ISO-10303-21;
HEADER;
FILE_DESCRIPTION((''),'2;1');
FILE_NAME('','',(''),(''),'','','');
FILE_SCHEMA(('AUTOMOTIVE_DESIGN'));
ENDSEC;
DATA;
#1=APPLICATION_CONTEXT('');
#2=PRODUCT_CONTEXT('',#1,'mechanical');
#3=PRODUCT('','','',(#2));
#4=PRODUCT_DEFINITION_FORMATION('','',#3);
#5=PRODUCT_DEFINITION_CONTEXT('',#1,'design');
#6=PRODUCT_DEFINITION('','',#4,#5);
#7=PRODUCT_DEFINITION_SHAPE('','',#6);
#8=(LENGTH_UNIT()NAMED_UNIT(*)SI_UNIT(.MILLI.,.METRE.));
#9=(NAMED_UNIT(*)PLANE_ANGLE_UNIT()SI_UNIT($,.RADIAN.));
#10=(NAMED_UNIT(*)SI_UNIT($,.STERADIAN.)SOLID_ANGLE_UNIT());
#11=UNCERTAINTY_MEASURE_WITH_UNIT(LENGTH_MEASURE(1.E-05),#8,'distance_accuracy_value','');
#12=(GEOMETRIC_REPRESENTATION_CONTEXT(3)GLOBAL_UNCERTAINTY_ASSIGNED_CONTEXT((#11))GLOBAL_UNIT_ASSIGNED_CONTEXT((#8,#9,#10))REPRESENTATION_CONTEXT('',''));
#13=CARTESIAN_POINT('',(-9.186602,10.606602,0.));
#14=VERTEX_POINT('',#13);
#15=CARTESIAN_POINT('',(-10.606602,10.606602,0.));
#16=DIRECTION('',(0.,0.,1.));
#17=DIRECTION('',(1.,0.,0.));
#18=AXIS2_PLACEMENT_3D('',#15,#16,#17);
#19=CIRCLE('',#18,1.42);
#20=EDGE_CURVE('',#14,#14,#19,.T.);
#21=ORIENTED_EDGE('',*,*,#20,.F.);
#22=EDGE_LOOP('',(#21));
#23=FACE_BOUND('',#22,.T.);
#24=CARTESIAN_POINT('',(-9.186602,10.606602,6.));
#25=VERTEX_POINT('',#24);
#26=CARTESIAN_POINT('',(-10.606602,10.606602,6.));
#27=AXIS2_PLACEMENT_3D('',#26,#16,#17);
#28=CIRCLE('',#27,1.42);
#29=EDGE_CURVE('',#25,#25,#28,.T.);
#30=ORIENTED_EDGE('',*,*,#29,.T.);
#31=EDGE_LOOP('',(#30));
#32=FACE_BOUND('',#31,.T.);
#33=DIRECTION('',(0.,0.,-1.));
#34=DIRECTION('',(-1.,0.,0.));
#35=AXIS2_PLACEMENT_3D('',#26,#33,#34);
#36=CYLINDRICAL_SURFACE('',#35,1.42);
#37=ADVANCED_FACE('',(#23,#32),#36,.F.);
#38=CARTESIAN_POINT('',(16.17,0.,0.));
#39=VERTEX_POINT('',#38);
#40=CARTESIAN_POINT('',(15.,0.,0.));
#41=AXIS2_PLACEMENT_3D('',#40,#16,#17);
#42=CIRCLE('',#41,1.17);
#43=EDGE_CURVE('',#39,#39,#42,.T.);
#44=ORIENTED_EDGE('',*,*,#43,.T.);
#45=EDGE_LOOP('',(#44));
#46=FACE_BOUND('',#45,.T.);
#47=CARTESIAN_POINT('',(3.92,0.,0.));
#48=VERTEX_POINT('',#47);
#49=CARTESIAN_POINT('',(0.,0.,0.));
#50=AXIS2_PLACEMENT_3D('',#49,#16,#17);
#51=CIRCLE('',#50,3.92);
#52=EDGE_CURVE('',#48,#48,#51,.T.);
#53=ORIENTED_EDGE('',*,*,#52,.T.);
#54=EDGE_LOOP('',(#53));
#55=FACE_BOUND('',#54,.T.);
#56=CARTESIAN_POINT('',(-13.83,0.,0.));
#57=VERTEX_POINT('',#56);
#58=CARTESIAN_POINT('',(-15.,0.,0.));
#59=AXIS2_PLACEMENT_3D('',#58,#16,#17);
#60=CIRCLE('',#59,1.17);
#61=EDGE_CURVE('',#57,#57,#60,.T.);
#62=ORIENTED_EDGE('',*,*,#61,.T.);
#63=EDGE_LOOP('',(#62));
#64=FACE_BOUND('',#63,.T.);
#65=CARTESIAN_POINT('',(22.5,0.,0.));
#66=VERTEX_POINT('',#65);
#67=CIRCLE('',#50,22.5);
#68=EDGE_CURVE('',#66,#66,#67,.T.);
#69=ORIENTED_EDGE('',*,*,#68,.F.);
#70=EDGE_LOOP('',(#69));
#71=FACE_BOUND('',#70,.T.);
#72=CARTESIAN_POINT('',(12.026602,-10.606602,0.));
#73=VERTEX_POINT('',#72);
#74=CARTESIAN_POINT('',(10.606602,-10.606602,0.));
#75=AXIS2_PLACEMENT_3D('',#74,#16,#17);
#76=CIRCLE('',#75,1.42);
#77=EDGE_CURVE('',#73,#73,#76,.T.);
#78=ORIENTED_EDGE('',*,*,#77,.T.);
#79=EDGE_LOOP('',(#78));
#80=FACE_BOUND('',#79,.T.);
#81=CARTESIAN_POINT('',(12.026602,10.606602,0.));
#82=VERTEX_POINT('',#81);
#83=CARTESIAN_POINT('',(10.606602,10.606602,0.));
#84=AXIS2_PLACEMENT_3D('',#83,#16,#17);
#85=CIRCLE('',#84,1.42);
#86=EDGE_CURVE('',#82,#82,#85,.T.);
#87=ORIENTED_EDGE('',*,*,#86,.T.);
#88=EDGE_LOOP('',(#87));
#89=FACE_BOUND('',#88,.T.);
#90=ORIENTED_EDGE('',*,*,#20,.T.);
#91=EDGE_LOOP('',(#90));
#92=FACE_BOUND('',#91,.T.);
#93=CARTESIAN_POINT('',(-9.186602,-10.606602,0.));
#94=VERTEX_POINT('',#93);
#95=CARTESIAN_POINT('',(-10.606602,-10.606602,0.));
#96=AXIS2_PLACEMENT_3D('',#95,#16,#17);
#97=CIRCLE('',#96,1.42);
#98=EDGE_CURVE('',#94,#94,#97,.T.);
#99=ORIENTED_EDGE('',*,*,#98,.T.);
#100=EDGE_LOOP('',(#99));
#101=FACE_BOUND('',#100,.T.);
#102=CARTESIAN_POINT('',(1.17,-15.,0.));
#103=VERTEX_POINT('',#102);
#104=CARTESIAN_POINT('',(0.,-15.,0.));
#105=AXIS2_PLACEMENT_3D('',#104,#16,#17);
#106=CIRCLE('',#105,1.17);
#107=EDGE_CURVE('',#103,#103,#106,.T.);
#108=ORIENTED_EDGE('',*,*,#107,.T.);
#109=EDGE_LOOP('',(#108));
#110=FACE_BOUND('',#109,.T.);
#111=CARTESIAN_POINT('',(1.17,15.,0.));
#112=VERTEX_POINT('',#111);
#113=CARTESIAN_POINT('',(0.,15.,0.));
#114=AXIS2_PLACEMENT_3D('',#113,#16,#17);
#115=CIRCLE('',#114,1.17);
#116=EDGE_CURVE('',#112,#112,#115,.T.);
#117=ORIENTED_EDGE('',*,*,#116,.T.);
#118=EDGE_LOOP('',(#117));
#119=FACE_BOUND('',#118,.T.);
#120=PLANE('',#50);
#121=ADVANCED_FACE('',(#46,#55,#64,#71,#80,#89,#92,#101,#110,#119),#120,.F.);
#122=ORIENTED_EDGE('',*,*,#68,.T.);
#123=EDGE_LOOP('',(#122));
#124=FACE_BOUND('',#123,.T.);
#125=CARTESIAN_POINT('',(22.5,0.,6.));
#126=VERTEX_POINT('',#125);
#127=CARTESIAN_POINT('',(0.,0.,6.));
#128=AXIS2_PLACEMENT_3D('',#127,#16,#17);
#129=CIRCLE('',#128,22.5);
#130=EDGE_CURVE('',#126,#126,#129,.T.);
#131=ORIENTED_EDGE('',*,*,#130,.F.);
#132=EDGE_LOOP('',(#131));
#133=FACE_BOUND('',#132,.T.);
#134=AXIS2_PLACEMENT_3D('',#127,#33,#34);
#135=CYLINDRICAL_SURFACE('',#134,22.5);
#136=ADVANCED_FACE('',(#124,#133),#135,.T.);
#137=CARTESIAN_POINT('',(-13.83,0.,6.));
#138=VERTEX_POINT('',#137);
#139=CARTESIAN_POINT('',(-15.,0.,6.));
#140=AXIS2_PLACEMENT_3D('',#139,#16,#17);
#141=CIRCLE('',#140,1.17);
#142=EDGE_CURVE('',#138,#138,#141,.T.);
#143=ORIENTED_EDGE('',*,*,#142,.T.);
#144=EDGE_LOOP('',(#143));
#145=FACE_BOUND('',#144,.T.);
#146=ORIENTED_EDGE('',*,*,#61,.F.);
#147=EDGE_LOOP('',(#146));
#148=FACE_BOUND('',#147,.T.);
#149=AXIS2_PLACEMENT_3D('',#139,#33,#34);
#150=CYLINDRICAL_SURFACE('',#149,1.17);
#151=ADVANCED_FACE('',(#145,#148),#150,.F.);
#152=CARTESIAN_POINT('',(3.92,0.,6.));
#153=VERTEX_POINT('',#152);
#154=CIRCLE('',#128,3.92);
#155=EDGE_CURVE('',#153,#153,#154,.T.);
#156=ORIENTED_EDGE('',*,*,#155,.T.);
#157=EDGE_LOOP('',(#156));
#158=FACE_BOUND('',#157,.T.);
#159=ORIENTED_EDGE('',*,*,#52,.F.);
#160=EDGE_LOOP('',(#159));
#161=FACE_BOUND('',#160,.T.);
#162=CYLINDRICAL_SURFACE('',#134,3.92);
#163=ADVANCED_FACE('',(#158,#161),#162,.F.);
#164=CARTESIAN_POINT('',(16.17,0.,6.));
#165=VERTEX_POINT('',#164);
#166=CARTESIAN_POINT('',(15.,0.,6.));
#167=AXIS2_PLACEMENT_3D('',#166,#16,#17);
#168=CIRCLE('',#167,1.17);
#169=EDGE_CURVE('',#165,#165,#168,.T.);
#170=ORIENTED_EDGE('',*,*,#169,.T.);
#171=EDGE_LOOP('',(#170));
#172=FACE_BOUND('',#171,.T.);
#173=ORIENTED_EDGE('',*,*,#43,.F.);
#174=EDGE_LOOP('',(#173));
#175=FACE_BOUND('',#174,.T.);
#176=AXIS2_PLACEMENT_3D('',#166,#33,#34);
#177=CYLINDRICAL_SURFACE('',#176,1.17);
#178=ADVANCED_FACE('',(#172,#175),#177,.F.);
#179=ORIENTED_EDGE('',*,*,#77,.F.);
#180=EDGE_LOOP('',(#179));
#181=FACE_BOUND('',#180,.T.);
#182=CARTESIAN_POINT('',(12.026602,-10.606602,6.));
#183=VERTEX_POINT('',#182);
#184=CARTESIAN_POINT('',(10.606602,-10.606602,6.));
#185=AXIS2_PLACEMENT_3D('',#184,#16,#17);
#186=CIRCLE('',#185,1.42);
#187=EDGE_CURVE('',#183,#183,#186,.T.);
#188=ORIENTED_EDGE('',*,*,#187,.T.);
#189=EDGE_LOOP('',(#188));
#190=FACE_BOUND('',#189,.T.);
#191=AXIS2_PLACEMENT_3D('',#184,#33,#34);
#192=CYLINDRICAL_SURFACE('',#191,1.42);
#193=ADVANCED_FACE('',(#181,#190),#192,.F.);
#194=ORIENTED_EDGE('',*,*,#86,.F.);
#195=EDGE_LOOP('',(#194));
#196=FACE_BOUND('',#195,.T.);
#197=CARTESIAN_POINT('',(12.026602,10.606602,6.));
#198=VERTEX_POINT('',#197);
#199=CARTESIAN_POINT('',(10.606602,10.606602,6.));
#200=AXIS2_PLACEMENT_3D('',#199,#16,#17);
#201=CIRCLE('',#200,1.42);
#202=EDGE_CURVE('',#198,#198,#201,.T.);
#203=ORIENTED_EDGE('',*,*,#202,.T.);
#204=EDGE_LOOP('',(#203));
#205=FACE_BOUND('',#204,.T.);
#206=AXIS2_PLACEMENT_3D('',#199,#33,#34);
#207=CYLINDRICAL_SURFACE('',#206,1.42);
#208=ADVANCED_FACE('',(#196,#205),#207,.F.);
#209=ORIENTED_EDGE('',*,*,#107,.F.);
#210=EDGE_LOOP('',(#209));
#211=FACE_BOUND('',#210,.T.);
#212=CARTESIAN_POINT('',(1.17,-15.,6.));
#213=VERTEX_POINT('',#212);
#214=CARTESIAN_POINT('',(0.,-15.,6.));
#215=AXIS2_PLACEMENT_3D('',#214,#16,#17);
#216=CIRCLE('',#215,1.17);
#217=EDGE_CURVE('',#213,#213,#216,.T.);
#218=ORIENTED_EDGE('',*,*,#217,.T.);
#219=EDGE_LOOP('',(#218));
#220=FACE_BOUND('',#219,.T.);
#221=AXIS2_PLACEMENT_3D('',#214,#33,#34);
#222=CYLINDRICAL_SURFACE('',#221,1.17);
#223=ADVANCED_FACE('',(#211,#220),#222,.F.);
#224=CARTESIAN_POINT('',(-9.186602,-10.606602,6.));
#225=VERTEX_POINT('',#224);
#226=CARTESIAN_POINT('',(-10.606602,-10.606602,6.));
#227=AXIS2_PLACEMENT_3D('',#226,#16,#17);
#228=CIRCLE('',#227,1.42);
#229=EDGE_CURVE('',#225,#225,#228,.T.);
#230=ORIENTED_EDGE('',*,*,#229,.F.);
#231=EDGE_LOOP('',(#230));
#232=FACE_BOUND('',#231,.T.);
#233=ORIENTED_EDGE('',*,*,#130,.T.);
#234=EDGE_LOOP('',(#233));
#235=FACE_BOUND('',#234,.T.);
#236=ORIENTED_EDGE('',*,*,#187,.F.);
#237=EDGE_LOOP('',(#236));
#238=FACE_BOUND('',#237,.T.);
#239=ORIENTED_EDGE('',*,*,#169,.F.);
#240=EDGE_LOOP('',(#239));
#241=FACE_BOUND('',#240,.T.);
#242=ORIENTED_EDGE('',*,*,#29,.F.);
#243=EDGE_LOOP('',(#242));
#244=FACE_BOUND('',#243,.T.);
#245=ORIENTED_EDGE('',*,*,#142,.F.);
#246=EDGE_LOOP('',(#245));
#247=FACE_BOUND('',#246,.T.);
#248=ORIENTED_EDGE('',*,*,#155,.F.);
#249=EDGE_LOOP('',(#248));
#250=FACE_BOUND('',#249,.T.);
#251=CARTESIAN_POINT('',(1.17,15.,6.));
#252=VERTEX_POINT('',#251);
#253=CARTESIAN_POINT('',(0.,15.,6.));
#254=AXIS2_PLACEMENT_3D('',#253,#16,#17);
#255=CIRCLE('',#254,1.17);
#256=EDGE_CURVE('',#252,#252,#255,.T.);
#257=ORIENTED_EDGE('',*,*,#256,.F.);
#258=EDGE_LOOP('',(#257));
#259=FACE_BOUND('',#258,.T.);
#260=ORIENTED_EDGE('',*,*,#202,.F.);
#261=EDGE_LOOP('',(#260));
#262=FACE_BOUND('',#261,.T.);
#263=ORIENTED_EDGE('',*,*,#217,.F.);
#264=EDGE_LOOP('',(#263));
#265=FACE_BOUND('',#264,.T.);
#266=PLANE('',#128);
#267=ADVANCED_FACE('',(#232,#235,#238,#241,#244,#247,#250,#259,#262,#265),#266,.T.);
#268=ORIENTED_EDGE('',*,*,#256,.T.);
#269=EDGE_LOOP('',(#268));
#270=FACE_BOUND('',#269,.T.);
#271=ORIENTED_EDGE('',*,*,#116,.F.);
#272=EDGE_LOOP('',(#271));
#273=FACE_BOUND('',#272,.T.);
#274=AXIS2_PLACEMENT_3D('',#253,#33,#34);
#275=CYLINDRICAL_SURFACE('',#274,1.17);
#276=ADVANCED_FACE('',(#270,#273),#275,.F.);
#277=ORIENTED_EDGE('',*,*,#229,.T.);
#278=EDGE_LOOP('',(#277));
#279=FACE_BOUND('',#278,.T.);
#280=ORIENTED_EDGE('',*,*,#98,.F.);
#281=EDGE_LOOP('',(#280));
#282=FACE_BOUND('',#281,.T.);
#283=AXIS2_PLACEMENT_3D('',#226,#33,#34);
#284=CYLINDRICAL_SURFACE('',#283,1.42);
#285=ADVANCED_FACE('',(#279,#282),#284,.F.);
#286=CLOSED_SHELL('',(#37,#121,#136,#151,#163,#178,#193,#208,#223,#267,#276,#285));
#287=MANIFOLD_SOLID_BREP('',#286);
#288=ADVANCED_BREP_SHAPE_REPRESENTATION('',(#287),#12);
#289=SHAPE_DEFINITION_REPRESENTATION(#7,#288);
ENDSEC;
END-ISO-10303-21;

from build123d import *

# Parameters (mm, degrees)
SKETCH1_R           = 22.5
SKETCH1_R_2         = 4
SKETCH1_R_3         = 1.25
SKETCH1_R_4         = 1.5
BOSS_EXTRUDE1_DEPTH = 6
MOVE_FACE1_BY       = 0.08
MOVE_FACE1_2_BY     = 0.08
MOVE_FACE1_3_BY     = 0.08
MOVE_FACE1_4_BY     = 0.08
MOVE_FACE1_5_BY     = 0.08
MOVE_FACE1_6_BY     = 0.08
MOVE_FACE1_7_BY     = 0.08
MOVE_FACE1_8_BY     = 0.08
MOVE_FACE1_9_BY     = 0.08


with BuildPart() as part:
    # Sketch1 → Boss-Extrude1 (new body)
    with BuildSketch(Plane.XY):
        Circle(SKETCH1_R)
        Circle(SKETCH1_R_2, mode=Mode.SUBTRACT)
        with Locations((0, 15)):
            Circle(SKETCH1_R_3, mode=Mode.SUBTRACT)
        with Locations((10.606601718, 10.606601718)):
            Circle(SKETCH1_R_4, mode=Mode.SUBTRACT)
        with Locations((15, 0)):
            Circle(SKETCH1_R_3, mode=Mode.SUBTRACT)
        with Locations((10.606601718, -10.606601718)):
            Circle(SKETCH1_R_4, mode=Mode.SUBTRACT)
        with Locations((0, -15)):
            Circle(SKETCH1_R_3, mode=Mode.SUBTRACT)
        with Locations((-10.606601718, -10.606601718)):
            Circle(SKETCH1_R_4, mode=Mode.SUBTRACT)
        with Locations((-15, 0)):
            Circle(SKETCH1_R_3, mode=Mode.SUBTRACT)
        with Locations((-10.606601718, 10.606601718)):
            Circle(SKETCH1_R_4, mode=Mode.SUBTRACT)
    extrude(amount=BOSS_EXTRUDE1_DEPTH)

    # Move Face1: a curved face moved outward by 0.08
    add(Solid.thicken(part.faces().sort_by_distance((-4, 0, 3))[0], MOVE_FACE1_BY))

    # Move Face1 2: a curved face moved outward by 0.08
    add(Solid.thicken(part.faces().sort_by_distance((-1.25, 15, 3))[0], MOVE_FACE1_2_BY))

    # Move Face1 3: a curved face moved outward by 0.08
    add(Solid.thicken(part.faces().sort_by_distance((9.106601718, 10.606601718, 3))[0], MOVE_FACE1_3_BY))

    # Move Face1 4: a curved face moved outward by 0.08
    add(Solid.thicken(part.faces().sort_by_distance((13.75, 0, 3))[0], MOVE_FACE1_4_BY))

    # Move Face1 5: a curved face moved outward by 0.08
    add(Solid.thicken(part.faces().sort_by_distance((9.106601718, -10.606601718, 3))[0], MOVE_FACE1_5_BY))

    # Move Face1 6: a curved face moved outward by 0.08
    add(Solid.thicken(part.faces().sort_by_distance((-1.25, -15, 3))[0], MOVE_FACE1_6_BY))

    # Move Face1 7: a curved face moved outward by 0.08
    add(Solid.thicken(part.faces().sort_by_distance((-12.106601718, -10.606601718, 3))[0], MOVE_FACE1_7_BY))

    # Move Face1 8: a curved face moved outward by 0.08
    add(Solid.thicken(part.faces().sort_by_distance((-16.25, 0, 3))[0], MOVE_FACE1_8_BY))

    # Move Face1 9: a curved face moved outward by 0.08
    add(Solid.thicken(part.faces().sort_by_distance((-12.106601718, 10.606601718, 3))[0], MOVE_FACE1_9_BY))


solid = part.part
